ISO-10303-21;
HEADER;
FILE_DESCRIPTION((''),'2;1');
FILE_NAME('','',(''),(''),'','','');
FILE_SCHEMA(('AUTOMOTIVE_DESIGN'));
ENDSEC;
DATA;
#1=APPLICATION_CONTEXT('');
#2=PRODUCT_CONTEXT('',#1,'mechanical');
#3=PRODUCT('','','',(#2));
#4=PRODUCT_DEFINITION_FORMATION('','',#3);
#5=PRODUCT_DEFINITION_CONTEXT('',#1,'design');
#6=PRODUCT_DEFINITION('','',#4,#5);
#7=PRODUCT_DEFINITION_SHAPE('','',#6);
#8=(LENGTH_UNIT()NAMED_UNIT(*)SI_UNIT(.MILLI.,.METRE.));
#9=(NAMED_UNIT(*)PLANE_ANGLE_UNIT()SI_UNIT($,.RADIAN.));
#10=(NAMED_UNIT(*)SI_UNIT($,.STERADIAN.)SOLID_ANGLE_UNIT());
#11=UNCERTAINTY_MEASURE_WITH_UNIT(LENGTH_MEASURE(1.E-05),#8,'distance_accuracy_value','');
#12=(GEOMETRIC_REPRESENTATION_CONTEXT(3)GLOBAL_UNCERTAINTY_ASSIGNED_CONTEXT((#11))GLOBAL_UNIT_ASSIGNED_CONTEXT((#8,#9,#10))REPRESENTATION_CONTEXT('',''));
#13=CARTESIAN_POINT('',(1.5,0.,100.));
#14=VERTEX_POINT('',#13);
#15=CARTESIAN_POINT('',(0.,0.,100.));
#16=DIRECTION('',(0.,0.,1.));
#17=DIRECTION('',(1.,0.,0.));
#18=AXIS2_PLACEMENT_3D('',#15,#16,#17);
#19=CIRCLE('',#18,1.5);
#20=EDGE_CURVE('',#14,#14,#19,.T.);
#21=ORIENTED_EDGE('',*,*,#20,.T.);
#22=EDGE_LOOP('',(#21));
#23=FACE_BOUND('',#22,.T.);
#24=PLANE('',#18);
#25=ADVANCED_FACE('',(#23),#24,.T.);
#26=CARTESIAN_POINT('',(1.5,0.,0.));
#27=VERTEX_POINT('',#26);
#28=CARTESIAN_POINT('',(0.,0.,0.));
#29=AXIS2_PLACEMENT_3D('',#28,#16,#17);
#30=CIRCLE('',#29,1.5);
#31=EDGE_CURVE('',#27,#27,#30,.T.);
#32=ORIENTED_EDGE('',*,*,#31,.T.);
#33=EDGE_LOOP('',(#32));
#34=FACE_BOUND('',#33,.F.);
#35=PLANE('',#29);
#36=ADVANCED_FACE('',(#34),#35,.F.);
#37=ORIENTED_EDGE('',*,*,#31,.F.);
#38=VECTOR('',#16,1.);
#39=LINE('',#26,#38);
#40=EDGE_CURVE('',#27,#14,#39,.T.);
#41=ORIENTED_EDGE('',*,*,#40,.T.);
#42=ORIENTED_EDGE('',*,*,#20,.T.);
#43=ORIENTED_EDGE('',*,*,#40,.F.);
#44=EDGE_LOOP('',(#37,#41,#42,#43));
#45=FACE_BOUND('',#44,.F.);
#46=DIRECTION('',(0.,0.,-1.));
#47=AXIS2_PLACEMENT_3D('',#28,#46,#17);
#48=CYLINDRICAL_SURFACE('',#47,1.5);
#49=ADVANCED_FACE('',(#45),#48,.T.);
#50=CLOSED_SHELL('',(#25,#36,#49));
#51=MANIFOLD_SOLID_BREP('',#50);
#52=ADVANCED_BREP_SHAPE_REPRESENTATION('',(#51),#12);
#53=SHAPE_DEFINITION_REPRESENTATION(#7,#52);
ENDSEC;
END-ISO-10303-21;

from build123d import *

# Parameters (mm, degrees)
SKETCH_1_R      = 1.5
EXTRUDE_1_DEPTH = 100


with BuildPart() as part:
    # 草图1 → 凸台-拉伸1 (new body)
    with BuildSketch(Plane.XY):
        Circle(SKETCH_1_R)
    extrude(amount=EXTRUDE_1_DEPTH)


solid = part.part
